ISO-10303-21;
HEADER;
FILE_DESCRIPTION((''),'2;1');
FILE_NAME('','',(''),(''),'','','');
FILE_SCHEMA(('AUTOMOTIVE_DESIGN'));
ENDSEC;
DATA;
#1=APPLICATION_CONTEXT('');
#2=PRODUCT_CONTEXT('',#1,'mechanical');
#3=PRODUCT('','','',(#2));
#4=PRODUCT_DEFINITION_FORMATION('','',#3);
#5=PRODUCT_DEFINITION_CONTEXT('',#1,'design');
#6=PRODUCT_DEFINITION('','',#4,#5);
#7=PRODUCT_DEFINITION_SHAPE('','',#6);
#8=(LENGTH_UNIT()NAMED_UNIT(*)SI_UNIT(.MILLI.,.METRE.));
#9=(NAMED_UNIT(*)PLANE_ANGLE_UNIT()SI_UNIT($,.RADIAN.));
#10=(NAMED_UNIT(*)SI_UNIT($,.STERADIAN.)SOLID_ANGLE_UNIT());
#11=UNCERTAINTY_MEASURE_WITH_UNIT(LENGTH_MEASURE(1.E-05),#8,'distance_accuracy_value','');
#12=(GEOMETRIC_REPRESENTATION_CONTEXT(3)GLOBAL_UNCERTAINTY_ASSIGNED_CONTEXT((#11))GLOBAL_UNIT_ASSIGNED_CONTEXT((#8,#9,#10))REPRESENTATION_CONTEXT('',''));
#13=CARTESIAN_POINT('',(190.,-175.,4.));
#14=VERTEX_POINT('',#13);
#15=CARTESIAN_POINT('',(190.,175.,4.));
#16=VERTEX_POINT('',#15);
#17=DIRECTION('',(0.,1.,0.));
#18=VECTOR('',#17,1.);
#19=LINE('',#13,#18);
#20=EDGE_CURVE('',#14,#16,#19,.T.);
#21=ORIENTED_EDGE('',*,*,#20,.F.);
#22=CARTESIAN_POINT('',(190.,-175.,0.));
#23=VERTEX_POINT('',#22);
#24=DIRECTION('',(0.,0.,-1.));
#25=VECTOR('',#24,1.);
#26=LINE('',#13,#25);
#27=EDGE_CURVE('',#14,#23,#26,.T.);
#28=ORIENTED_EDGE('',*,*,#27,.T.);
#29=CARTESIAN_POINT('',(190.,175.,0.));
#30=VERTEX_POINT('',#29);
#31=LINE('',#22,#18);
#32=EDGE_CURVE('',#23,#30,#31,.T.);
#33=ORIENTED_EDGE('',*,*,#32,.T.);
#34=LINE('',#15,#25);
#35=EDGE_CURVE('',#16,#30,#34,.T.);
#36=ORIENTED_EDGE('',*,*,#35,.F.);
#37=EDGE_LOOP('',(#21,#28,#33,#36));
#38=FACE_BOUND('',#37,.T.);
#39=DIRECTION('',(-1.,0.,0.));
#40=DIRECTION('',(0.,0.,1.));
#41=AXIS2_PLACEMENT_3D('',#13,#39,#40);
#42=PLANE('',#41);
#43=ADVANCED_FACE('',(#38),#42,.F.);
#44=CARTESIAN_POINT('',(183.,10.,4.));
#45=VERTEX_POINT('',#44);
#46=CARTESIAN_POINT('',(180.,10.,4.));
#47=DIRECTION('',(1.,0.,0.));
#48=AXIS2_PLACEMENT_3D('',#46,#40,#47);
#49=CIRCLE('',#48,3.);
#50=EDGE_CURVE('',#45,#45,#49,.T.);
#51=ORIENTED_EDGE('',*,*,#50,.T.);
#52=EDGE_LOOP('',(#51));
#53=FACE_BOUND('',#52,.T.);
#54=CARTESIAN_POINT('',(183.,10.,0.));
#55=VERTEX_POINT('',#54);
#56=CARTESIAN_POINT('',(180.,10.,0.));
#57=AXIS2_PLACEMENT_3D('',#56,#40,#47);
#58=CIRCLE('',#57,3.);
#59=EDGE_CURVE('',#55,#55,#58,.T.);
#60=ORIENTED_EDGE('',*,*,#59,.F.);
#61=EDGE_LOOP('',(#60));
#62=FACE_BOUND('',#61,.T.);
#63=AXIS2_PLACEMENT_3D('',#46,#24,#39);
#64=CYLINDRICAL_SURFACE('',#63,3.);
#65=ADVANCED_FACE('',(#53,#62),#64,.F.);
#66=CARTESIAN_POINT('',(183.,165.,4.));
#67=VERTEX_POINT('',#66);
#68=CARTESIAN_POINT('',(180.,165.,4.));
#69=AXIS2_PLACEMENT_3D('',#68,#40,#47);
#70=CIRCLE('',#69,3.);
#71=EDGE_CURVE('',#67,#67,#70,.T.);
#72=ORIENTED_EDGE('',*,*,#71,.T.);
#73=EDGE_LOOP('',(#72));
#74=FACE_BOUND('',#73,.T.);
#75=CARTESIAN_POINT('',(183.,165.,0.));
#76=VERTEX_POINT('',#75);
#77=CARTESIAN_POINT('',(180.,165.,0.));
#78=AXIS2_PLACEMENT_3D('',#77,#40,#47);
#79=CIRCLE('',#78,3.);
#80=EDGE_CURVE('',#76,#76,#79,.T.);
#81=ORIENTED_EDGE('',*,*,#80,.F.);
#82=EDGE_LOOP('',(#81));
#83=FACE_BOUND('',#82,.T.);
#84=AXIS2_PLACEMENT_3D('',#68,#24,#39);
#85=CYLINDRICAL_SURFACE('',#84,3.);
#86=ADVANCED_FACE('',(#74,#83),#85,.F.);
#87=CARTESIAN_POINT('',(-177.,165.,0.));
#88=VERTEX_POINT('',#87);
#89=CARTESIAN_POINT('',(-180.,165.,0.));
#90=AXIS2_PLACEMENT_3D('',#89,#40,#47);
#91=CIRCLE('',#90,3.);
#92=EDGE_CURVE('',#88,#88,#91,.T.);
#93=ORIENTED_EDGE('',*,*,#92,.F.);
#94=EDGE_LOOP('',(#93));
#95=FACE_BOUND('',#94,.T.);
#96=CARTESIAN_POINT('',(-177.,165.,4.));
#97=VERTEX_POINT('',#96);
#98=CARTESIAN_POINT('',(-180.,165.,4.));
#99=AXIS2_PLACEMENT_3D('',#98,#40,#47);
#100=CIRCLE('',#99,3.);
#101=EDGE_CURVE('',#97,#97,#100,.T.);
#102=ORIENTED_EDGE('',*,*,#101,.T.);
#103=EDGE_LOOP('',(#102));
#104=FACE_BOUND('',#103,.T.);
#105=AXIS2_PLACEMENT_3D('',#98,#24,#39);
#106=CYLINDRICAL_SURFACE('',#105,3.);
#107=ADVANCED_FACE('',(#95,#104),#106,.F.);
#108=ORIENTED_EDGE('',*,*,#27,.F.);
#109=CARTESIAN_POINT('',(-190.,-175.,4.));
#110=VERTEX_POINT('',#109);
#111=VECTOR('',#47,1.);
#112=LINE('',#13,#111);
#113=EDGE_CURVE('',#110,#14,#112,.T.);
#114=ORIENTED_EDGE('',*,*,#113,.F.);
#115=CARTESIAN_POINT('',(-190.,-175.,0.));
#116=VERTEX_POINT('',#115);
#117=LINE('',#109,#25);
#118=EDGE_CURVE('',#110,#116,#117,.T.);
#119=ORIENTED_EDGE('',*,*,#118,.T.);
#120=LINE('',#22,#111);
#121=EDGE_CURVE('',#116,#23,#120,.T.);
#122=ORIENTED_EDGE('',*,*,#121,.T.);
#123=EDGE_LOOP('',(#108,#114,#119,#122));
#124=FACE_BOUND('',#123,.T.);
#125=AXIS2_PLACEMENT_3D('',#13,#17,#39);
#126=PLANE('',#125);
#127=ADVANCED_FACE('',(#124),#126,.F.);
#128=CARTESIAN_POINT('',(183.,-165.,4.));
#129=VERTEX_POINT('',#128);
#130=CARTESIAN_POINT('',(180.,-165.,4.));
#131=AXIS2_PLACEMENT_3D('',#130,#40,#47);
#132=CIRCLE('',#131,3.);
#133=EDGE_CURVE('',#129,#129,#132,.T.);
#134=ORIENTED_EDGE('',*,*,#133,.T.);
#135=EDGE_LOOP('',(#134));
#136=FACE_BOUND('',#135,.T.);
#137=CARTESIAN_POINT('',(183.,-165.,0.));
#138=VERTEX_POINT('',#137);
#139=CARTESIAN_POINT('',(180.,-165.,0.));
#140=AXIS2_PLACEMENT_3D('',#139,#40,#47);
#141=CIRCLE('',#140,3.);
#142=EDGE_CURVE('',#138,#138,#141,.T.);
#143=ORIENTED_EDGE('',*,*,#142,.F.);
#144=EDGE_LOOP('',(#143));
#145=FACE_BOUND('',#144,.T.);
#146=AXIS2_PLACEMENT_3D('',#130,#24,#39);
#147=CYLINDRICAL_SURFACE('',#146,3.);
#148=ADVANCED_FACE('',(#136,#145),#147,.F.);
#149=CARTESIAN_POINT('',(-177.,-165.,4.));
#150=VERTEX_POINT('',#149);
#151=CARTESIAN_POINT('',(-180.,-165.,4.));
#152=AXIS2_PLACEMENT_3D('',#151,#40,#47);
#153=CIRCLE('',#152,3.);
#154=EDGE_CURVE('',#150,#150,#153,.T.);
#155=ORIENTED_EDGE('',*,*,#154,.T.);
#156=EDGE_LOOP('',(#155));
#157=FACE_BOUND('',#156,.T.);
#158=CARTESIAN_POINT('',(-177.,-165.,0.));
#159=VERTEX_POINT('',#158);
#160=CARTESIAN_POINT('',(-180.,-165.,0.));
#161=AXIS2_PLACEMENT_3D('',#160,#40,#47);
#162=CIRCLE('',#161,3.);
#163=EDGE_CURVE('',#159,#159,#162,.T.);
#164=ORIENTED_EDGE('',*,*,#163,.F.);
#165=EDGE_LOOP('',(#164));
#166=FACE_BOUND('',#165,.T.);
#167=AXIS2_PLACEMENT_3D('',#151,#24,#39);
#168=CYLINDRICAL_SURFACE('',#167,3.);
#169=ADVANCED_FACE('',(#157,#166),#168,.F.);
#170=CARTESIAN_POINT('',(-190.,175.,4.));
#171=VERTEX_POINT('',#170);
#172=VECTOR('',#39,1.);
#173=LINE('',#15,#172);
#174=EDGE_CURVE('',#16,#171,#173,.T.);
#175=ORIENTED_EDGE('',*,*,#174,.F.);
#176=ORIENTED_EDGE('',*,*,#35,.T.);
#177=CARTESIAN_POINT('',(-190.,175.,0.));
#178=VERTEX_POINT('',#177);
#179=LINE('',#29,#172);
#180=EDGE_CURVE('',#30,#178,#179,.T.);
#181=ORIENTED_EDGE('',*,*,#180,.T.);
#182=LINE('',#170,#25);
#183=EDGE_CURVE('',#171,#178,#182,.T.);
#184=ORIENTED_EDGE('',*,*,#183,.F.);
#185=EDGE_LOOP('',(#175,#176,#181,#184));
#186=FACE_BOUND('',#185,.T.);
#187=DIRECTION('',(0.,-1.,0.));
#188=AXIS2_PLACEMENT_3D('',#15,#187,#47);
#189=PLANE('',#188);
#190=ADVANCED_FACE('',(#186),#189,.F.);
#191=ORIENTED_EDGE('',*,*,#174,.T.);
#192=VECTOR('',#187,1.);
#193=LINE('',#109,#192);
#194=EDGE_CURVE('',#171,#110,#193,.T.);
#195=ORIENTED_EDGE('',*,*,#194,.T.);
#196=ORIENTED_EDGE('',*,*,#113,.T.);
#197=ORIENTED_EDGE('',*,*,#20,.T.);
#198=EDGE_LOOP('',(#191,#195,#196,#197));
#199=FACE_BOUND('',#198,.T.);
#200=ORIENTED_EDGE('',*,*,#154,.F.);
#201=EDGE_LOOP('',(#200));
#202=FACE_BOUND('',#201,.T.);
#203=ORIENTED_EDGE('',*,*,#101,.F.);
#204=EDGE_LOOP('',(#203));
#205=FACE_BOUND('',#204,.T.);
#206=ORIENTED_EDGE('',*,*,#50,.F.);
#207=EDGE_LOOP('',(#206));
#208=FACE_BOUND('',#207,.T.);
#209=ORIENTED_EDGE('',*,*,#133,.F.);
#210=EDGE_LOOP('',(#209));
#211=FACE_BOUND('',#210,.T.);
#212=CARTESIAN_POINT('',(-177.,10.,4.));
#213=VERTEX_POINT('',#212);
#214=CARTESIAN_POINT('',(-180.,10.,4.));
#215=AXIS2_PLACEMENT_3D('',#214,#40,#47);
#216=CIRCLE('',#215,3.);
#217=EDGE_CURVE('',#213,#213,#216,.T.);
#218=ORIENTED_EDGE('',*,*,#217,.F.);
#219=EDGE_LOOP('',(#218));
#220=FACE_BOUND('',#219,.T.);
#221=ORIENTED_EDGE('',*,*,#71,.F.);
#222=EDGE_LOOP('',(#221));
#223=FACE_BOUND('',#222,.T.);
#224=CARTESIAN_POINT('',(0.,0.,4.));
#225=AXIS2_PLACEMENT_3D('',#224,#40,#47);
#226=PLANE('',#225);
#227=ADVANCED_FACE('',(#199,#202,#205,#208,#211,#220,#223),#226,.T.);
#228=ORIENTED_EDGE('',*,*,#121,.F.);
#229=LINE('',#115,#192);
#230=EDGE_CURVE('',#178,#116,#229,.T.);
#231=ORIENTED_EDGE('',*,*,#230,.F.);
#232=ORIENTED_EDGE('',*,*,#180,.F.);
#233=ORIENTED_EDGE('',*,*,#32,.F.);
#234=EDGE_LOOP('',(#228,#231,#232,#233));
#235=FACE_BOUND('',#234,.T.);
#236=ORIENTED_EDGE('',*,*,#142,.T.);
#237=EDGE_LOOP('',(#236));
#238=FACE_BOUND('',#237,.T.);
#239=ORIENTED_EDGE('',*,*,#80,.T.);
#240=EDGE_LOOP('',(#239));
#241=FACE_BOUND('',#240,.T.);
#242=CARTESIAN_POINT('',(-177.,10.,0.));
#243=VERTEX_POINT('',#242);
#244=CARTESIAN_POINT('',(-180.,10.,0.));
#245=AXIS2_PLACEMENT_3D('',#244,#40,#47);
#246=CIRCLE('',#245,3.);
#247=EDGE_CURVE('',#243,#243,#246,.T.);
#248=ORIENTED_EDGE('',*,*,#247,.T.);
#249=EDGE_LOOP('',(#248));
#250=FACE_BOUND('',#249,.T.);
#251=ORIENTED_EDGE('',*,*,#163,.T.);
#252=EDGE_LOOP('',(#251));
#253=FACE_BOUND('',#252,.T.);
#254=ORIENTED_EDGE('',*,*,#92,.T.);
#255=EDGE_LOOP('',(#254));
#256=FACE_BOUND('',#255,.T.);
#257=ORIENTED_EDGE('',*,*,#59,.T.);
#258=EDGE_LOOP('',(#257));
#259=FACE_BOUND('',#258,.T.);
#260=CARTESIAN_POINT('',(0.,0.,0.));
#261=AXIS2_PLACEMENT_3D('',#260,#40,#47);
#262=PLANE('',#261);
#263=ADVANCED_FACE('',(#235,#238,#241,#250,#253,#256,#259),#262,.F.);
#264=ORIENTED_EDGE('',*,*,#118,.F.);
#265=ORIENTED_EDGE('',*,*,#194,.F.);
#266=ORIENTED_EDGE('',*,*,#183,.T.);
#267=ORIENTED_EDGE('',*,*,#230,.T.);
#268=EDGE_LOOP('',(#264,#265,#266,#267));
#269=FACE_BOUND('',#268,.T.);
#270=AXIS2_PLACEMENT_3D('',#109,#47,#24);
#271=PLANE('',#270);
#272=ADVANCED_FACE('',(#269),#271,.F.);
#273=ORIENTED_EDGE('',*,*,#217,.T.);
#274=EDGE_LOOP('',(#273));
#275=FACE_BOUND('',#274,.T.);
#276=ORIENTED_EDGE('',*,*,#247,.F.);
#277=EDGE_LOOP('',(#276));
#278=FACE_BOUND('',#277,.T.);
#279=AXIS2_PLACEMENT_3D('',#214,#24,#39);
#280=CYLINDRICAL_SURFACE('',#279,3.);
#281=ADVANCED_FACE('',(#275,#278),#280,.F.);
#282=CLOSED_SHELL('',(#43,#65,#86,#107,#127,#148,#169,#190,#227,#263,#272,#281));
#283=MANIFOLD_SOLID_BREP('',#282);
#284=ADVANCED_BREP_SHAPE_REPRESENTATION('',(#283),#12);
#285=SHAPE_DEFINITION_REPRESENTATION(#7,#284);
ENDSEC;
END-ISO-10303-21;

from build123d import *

# Parameters (mm, degrees)
SKICA1_W                = 380
SKICA1_H                = 350
SKICA1_R                = 3
P_IDAT_VYSUNUT_M1_DEPTH = 4


with BuildPart() as part:
    # Skica1 → Přidat vysunutím1 (new body)
    with BuildSketch(Plane.XY):
        Rectangle(SKICA1_W, SKICA1_H)
        with Locations((-180, 165)):
            Circle(SKICA1_R, mode=Mode.SUBTRACT)
        with Locations((180, 165)):
            Circle(SKICA1_R, mode=Mode.SUBTRACT)
        with Locations((180, 10)):
            Circle(SKICA1_R, mode=Mode.SUBTRACT)
        with Locations((180, -165)):
            Circle(SKICA1_R, mode=Mode.SUBTRACT)
        with Locations((-180, 10)):
            Circle(SKICA1_R, mode=Mode.SUBTRACT)
        with Locations((-180, -165)):
            Circle(SKICA1_R, mode=Mode.SUBTRACT)
    extrude(amount=P_IDAT_VYSUNUT_M1_DEPTH)


solid = part.part
